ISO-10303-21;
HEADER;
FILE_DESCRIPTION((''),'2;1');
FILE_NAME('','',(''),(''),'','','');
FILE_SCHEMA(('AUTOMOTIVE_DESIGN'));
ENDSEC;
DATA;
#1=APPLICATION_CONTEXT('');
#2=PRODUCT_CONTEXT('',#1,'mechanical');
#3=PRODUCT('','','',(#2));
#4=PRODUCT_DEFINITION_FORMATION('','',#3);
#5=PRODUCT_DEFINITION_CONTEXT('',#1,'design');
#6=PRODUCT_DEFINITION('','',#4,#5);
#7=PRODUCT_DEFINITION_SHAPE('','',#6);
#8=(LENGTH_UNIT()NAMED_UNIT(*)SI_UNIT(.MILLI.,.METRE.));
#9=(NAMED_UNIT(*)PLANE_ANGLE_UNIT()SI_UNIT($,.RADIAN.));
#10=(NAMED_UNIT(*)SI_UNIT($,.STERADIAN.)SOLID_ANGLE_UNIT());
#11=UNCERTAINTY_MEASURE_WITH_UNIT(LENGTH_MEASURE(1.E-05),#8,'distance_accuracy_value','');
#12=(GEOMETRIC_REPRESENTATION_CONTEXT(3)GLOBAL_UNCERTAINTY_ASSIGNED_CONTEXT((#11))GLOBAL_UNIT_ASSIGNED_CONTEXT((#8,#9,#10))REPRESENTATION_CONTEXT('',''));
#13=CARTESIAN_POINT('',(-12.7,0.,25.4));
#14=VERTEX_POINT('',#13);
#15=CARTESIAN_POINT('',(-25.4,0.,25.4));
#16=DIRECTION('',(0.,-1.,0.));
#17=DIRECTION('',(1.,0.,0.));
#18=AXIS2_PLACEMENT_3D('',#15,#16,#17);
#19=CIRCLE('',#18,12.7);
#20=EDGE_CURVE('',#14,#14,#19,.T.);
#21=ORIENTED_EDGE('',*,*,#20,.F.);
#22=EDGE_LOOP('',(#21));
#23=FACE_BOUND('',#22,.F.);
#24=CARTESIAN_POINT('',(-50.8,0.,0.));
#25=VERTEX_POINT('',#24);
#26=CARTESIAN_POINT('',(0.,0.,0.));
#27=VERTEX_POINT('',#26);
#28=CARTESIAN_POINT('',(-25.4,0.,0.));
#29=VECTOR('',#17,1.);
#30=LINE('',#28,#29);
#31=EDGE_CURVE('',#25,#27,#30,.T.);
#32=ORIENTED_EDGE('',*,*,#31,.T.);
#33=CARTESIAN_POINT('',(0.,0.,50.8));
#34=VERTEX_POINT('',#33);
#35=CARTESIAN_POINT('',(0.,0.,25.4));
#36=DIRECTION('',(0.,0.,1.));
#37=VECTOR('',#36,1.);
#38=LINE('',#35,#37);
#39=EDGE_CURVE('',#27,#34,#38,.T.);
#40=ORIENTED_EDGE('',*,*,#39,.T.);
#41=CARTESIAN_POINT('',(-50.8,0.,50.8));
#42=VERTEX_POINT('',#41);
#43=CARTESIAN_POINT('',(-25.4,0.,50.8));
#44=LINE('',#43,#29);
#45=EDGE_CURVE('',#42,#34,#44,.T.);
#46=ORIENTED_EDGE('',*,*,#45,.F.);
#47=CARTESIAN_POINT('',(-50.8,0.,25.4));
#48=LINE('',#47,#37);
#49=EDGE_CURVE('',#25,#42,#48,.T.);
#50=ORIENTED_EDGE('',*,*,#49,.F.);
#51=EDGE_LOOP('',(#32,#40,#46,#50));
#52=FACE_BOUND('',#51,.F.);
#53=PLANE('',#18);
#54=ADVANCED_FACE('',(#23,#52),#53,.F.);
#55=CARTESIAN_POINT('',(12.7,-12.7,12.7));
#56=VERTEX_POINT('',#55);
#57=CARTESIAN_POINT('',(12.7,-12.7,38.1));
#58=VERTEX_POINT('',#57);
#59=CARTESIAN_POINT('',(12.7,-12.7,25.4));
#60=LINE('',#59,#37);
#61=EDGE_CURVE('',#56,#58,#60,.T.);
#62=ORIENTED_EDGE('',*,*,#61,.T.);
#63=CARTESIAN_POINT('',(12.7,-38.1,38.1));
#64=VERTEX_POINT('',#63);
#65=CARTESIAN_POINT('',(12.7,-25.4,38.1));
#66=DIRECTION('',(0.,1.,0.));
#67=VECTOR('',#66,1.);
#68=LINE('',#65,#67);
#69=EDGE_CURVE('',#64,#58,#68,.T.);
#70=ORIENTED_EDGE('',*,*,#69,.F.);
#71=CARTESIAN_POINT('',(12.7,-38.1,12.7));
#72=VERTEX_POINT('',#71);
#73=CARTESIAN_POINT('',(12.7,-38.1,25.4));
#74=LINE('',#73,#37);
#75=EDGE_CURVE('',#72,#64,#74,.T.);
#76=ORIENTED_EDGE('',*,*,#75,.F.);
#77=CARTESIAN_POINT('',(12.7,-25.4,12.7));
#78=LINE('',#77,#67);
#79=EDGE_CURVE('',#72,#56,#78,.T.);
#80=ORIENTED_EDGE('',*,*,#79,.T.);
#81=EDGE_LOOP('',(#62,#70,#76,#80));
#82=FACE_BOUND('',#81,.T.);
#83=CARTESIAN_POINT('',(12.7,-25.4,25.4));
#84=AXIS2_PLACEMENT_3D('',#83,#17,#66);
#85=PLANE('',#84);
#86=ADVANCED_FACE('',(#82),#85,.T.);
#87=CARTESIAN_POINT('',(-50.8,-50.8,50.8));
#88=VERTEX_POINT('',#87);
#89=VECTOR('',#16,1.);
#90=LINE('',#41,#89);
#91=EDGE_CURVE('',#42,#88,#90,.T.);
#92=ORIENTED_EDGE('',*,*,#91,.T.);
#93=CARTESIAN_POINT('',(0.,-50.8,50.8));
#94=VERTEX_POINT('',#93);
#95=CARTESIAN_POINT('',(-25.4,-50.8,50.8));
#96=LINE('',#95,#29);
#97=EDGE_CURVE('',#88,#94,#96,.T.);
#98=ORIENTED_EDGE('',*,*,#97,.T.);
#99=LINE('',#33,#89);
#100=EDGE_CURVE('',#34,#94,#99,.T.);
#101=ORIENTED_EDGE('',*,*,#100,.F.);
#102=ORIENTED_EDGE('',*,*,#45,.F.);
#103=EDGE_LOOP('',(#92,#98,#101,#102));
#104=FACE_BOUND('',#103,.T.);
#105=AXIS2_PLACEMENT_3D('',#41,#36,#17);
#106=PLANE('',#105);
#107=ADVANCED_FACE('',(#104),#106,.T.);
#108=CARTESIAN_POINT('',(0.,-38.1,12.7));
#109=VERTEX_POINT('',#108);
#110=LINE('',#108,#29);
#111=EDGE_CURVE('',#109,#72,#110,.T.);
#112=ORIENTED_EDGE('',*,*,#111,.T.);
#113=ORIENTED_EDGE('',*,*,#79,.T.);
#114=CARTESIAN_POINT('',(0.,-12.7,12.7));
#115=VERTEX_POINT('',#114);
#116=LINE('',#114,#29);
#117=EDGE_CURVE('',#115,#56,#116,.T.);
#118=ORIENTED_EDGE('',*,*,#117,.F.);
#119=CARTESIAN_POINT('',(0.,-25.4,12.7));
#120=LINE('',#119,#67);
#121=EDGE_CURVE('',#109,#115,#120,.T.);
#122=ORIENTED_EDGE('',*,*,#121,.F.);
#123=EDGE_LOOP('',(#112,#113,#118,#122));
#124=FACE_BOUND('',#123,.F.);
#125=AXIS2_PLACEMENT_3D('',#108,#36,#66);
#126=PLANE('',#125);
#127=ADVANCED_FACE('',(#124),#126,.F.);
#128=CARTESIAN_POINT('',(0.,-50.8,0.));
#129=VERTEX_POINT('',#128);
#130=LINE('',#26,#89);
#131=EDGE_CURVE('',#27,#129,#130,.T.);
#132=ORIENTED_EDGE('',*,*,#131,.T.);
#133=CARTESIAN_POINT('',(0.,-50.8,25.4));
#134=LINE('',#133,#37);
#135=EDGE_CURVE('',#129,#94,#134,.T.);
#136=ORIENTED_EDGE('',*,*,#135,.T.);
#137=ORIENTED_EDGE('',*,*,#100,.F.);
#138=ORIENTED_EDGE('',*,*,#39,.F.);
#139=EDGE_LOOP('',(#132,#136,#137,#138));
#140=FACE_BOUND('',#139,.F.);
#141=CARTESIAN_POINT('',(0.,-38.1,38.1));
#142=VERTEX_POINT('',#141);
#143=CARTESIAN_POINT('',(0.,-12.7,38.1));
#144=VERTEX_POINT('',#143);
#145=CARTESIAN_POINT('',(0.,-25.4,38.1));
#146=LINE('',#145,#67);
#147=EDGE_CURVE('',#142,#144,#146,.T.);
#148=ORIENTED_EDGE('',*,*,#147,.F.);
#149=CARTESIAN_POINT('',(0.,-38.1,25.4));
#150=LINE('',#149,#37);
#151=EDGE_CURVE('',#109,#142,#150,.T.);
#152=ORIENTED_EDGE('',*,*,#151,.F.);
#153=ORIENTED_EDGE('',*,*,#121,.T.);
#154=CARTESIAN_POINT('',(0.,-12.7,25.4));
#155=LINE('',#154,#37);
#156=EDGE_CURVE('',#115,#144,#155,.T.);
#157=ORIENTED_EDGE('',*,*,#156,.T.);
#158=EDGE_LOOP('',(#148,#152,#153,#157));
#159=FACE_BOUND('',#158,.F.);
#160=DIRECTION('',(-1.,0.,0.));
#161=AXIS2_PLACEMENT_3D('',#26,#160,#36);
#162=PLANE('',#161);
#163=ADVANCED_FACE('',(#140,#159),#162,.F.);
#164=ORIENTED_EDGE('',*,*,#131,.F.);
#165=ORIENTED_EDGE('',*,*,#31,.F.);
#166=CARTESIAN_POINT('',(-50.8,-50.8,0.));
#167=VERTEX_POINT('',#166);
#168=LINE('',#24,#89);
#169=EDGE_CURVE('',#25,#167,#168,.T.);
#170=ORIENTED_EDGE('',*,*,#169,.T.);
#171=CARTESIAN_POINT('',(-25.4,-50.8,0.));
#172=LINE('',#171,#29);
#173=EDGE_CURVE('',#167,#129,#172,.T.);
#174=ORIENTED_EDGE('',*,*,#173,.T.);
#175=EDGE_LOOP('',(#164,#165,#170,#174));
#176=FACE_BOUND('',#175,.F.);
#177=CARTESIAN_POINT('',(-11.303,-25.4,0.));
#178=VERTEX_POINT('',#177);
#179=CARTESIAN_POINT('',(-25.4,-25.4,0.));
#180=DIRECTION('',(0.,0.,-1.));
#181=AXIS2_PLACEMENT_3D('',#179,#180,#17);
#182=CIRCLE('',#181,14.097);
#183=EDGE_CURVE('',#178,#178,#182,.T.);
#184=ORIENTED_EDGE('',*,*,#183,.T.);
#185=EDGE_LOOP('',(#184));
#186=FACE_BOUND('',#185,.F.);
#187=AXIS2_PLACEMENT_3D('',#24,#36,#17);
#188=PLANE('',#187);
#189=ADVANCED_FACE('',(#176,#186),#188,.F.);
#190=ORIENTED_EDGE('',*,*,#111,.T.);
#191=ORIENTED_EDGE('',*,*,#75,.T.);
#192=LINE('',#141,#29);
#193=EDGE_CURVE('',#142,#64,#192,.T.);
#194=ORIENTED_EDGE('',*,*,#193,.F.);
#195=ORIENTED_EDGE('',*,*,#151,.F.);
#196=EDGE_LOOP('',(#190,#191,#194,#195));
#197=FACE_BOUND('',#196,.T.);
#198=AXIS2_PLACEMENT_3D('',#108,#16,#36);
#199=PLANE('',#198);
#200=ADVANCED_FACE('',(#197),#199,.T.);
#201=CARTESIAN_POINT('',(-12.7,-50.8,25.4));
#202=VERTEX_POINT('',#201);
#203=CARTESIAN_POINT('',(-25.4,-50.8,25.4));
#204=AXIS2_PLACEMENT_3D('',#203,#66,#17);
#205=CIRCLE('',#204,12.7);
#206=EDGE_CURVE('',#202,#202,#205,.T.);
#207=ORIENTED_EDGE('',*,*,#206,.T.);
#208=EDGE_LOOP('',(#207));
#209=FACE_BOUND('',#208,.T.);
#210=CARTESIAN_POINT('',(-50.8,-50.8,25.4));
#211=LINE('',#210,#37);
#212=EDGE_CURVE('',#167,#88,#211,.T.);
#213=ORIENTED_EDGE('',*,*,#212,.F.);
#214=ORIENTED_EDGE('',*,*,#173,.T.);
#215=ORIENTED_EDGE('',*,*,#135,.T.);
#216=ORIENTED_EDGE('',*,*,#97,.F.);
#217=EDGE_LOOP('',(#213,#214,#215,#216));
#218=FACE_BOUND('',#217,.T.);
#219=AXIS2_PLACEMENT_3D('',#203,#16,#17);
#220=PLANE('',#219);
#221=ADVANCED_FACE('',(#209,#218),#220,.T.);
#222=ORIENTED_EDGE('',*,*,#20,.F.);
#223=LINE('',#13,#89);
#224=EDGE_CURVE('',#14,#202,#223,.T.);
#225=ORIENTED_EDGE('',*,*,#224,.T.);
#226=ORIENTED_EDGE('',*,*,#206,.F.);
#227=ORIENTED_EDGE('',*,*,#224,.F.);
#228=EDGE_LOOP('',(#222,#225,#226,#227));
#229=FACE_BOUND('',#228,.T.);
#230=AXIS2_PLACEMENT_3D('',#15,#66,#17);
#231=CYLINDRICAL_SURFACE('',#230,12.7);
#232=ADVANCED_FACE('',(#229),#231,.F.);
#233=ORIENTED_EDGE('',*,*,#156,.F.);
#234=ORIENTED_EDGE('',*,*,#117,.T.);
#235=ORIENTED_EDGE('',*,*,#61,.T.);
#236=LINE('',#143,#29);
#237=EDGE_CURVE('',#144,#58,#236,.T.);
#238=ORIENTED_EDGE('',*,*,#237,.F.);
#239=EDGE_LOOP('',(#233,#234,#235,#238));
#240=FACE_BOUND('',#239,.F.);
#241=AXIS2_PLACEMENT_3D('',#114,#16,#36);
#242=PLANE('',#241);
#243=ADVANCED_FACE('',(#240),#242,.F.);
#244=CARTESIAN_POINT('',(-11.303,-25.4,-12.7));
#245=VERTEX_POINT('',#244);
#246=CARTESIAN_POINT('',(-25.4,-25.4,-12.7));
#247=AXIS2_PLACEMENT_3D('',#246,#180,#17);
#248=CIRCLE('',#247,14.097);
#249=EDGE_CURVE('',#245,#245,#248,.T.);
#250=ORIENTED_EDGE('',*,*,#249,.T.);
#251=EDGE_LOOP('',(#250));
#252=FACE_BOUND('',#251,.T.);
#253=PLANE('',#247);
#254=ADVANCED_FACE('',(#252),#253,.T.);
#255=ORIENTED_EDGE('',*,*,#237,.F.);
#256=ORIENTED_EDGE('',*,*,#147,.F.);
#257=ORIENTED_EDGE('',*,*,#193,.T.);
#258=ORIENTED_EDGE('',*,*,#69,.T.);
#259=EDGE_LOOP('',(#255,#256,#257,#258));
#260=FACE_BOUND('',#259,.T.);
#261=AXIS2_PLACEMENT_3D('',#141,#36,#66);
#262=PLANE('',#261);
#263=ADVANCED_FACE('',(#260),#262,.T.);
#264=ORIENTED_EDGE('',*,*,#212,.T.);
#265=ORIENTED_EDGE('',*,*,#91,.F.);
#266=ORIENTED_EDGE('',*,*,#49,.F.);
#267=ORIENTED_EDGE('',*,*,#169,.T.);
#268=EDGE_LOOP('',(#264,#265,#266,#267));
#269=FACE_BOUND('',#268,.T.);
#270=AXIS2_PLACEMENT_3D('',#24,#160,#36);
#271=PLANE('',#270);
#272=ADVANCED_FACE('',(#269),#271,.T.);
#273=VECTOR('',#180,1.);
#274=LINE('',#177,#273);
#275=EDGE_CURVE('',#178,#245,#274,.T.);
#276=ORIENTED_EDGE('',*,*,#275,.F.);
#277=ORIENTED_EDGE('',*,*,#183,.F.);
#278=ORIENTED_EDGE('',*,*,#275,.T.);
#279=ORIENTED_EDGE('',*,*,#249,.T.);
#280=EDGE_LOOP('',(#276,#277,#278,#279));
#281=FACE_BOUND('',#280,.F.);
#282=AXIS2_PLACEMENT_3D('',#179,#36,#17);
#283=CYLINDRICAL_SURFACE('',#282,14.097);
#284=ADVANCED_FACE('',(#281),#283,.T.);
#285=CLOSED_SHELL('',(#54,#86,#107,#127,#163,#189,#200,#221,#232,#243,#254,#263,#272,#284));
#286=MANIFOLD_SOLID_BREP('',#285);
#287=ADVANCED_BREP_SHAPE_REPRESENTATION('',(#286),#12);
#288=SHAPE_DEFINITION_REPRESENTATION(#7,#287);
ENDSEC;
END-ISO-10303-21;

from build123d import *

# Parameters (mm, degrees)
F0_W     = 50.8
F0_H     = 50.8
F2_DEPTH = 50.8
F1_R     = 12.7
F3_DEPTH = 51.308
F4_W     = 25.4
F4_H     = 25.4
F5_DEPTH = 12.7
F6_R     = 14.097
F7_DEPTH = 12.7


with BuildPart() as f2:
    # F0 (on Front) → F2 (new body)
    with BuildSketch(Plane.XZ):
        with Locations((-25.4, 25.4)):
            Rectangle(F0_W, F0_H)
    extrude(amount=F2_DEPTH)

    # F1 (on face) → F3 (cut)
    with BuildSketch(Plane.XZ):
        with Locations((-25.4, 25.4)):
            Circle(F1_R)
    extrude(amount=F3_DEPTH, mode=Mode.SUBTRACT)

    # F4 (on face) → F5 (join)
    with BuildSketch(Plane.YZ):
        with Locations((-25.4, 25.4)):
            Rectangle(F4_W, F4_H)
    extrude(amount=F5_DEPTH)

    # F6 (on face) → F7 (join)
    with BuildSketch(Plane(origin=(0, 0, 0), x_dir=(1, 0, 0), z_dir=(0, 0, -1))):
        with Locations((-25.4, 25.4)):
            Circle(F6_R)
    extrude(amount=F7_DEPTH)


solid = f2.part
